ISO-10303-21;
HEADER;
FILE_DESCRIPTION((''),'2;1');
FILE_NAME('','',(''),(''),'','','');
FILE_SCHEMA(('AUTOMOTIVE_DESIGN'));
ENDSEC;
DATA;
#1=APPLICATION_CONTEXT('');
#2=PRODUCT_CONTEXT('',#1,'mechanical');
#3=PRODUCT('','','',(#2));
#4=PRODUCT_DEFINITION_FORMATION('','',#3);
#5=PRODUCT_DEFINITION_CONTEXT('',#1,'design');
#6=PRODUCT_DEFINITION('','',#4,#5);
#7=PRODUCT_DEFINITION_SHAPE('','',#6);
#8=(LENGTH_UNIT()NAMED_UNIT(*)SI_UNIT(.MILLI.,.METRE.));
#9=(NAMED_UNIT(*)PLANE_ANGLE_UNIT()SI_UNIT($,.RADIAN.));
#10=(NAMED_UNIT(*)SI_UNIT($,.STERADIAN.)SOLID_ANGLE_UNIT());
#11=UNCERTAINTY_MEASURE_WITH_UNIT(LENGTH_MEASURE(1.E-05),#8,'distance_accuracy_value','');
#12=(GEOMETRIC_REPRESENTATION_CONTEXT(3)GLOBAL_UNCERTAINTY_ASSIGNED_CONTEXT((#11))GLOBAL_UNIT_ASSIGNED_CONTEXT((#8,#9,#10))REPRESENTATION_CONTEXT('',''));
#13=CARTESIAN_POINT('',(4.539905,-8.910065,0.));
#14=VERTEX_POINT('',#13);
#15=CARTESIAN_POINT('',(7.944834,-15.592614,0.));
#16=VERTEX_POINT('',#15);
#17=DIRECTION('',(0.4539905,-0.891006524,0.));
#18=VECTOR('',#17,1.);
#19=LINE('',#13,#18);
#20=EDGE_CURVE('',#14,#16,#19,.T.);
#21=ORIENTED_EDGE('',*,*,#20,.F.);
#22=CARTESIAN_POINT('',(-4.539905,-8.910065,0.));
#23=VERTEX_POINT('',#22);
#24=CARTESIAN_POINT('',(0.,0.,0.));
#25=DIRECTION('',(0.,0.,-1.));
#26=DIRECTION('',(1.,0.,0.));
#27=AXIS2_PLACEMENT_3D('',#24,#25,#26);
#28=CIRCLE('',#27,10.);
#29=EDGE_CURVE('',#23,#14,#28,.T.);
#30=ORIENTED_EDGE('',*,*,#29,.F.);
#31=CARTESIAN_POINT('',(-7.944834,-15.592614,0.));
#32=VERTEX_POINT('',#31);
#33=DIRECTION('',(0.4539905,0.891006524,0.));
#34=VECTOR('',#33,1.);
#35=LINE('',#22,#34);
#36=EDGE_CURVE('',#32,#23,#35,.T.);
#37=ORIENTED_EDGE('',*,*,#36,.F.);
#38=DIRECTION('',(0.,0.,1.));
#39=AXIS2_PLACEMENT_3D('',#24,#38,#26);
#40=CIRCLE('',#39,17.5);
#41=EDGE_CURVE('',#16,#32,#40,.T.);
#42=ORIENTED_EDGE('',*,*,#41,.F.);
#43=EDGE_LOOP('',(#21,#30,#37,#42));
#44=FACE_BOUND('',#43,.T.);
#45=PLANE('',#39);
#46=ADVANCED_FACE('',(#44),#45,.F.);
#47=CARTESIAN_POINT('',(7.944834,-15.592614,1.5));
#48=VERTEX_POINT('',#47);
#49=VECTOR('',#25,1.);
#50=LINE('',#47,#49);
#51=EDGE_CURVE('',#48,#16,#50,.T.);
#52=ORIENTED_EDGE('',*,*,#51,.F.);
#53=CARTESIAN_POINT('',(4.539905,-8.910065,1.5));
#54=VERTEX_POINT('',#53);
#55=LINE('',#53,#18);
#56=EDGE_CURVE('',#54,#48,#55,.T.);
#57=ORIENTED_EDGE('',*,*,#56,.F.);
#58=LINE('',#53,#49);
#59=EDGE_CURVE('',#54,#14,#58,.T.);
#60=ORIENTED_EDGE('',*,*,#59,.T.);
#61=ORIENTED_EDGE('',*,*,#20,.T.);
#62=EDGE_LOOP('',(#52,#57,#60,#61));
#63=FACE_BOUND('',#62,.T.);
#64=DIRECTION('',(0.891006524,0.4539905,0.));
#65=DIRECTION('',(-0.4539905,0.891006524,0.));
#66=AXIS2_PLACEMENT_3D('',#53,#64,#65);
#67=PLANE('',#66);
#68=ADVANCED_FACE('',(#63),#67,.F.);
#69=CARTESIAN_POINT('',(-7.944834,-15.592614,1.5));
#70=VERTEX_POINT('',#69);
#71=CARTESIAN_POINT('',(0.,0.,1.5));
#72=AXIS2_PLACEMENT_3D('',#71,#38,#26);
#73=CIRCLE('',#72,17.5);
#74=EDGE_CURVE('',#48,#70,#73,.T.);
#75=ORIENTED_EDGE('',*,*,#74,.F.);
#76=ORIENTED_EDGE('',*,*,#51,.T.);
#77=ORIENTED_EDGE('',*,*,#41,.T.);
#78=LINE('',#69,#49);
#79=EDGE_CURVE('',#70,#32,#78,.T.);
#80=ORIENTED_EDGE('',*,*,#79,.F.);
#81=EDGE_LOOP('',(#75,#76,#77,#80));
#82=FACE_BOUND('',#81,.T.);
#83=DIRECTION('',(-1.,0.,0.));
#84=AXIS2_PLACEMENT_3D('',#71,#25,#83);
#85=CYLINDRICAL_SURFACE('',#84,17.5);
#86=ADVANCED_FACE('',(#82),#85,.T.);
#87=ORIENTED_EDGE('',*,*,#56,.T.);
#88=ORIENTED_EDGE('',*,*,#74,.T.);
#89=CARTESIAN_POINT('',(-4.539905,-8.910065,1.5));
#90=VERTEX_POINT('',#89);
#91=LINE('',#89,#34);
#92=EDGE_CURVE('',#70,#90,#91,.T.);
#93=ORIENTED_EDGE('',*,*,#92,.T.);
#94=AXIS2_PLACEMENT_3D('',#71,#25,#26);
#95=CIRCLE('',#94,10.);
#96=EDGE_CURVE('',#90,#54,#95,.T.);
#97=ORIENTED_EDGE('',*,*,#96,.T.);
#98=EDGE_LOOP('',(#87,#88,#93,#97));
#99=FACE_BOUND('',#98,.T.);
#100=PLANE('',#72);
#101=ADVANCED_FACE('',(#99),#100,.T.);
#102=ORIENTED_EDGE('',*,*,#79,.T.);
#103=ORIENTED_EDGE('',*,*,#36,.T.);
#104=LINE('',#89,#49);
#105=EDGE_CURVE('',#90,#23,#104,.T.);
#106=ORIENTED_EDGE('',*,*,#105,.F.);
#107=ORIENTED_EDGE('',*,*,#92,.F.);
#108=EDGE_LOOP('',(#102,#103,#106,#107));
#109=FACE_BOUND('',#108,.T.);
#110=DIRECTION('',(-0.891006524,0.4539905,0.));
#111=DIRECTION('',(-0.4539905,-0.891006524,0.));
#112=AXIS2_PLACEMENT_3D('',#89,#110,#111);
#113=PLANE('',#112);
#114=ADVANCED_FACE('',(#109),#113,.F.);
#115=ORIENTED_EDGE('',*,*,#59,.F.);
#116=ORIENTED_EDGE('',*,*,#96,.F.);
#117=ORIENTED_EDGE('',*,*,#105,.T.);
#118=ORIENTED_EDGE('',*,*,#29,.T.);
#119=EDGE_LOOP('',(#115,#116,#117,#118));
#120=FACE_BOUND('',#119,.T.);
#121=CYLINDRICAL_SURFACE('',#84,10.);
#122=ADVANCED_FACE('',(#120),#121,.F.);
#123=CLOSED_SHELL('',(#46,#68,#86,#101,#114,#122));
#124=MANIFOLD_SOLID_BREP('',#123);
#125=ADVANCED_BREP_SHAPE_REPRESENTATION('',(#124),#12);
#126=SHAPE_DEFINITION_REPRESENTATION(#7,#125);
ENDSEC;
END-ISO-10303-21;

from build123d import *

# Parameters (mm, degrees)
BOSS_EXTRUDE1_DEPTH = 1.5


with BuildPart() as part:
    # Sketch1 → Boss-Extrude1 (new body)
    with BuildSketch(Plane.XY):
        with BuildLine():
            Line((-4.539904997, -8.910065242), (-7.944833745, -15.592614173))
            ThreePointArc((-7.944833745, -15.592614173), (0, 17.5), (7.944833745, -15.592614173))
            Line((7.944833745, -15.592614173), (4.539904997, -8.910065242))
            ThreePointArc((4.539904997, -8.910065242), (0, 10), (-4.539904997, -8.910065242))
        make_face()
    extrude(amount=BOSS_EXTRUDE1_DEPTH)


solid = part.part
